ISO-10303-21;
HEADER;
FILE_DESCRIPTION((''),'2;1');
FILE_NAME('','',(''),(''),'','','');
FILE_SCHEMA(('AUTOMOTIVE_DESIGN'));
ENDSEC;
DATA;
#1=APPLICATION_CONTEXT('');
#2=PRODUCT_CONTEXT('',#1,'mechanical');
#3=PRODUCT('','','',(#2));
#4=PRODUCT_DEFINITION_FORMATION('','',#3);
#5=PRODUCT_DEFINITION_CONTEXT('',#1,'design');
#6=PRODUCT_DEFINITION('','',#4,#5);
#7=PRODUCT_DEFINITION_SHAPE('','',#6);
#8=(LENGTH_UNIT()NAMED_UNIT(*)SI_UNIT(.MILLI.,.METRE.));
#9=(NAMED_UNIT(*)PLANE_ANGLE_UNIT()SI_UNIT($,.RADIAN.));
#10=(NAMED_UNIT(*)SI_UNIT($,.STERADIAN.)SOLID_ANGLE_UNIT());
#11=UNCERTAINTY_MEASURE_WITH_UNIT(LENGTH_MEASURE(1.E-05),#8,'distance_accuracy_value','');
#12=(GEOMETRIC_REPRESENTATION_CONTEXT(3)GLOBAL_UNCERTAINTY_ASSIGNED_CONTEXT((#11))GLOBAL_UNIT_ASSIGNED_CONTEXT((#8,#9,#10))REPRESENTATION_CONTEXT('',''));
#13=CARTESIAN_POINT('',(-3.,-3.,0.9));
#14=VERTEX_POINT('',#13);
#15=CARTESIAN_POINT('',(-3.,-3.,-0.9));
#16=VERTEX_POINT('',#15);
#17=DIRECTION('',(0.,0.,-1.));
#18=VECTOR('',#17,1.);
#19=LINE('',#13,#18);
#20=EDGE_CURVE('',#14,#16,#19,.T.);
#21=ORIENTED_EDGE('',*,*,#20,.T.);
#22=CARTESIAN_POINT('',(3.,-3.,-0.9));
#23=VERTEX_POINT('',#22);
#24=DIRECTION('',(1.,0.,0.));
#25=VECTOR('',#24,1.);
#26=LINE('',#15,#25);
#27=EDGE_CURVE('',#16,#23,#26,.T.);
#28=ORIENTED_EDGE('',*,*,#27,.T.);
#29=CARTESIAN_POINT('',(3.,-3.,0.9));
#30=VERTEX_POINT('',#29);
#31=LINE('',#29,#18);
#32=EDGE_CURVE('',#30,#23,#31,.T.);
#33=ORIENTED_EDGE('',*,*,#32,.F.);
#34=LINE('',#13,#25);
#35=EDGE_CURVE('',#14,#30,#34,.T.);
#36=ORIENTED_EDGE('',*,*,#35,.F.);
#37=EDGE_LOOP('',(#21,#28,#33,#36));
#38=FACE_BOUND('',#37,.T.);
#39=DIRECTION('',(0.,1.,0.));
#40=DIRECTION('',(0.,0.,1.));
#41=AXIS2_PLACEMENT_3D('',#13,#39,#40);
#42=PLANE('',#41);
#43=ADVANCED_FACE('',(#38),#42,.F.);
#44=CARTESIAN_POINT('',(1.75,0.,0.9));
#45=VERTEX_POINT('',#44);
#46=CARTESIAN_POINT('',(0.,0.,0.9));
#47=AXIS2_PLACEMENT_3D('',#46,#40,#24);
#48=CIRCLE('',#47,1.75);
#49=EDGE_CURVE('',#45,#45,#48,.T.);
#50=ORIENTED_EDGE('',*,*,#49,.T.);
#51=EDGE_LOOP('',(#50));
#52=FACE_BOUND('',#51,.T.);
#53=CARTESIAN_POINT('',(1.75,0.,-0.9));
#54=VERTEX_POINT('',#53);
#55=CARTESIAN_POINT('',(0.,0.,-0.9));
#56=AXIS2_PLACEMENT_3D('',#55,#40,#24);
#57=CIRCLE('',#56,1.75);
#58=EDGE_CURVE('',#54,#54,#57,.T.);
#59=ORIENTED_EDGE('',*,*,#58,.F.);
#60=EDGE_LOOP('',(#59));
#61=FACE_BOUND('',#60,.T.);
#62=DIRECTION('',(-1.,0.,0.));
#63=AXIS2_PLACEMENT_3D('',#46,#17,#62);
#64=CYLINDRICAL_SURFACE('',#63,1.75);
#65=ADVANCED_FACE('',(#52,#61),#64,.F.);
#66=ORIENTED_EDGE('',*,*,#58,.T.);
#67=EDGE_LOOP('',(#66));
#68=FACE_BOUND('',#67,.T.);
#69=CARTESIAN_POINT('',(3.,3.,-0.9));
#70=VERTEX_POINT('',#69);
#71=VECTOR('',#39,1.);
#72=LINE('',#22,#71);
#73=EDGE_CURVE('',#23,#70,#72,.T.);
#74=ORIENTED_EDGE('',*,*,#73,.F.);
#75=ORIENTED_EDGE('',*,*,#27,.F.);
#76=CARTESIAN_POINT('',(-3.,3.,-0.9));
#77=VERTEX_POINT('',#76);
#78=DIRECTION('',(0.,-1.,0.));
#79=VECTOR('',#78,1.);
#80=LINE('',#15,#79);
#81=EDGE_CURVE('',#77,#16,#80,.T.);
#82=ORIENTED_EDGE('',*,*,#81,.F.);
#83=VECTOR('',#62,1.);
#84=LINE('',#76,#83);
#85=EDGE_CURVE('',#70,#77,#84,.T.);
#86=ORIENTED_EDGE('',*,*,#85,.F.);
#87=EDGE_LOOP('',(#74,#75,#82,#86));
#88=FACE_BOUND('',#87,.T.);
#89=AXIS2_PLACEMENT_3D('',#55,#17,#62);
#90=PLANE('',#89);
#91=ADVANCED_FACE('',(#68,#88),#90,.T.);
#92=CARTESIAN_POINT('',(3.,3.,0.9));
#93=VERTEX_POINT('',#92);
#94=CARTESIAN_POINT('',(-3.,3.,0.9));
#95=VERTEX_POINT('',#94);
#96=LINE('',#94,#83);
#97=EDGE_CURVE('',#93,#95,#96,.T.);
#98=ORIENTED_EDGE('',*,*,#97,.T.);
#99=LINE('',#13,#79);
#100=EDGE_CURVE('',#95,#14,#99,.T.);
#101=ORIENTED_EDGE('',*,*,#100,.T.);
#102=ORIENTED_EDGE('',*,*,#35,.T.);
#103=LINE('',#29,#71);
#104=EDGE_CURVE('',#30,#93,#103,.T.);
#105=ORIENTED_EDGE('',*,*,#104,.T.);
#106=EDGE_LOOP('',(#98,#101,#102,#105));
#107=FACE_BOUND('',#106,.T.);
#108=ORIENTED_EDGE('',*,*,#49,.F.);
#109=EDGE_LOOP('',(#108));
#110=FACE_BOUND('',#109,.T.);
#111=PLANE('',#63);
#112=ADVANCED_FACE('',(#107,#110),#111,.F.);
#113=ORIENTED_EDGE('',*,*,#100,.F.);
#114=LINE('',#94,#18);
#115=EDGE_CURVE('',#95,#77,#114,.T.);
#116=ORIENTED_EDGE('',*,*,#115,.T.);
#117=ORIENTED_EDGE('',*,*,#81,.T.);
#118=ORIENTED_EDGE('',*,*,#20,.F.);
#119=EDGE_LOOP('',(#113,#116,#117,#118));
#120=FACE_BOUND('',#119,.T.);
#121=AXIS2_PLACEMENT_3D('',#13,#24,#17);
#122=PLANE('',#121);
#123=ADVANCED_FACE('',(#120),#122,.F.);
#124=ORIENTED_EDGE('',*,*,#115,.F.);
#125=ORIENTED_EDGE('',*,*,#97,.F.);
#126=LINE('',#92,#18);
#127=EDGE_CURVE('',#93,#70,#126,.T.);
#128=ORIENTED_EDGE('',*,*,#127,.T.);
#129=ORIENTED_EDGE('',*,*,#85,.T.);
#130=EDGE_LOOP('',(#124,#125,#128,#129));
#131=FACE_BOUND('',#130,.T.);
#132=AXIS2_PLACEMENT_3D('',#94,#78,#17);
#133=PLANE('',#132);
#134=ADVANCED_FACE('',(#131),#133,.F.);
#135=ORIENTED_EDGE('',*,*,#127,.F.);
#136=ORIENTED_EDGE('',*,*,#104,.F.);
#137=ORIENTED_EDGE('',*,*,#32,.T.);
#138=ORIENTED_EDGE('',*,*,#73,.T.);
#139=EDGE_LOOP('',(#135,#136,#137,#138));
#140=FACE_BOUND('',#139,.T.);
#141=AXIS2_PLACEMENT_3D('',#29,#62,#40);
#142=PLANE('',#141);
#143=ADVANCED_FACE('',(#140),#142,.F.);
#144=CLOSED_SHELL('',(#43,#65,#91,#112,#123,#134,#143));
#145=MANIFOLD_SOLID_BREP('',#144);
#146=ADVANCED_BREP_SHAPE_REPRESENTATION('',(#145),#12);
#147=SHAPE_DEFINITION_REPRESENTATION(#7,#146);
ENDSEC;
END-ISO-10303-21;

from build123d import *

# Parameters (mm, degrees)
SCHIZZO1_W                   = 6
SCHIZZO1_H                   = 6
SCHIZZO1_R                   = 1.75
ESTRUSIONE_ESTRUSIONE1_DEPTH = 0.9


with BuildPart() as part:
    # Schizzo1 → Estrusione-Estrusione1 (new, symmetric)
    with BuildSketch(Plane.XY):
        Rectangle(SCHIZZO1_W, SCHIZZO1_H)
        Circle(SCHIZZO1_R, mode=Mode.SUBTRACT)
    extrude(amount=ESTRUSIONE_ESTRUSIONE1_DEPTH, both=True)


solid = part.part
